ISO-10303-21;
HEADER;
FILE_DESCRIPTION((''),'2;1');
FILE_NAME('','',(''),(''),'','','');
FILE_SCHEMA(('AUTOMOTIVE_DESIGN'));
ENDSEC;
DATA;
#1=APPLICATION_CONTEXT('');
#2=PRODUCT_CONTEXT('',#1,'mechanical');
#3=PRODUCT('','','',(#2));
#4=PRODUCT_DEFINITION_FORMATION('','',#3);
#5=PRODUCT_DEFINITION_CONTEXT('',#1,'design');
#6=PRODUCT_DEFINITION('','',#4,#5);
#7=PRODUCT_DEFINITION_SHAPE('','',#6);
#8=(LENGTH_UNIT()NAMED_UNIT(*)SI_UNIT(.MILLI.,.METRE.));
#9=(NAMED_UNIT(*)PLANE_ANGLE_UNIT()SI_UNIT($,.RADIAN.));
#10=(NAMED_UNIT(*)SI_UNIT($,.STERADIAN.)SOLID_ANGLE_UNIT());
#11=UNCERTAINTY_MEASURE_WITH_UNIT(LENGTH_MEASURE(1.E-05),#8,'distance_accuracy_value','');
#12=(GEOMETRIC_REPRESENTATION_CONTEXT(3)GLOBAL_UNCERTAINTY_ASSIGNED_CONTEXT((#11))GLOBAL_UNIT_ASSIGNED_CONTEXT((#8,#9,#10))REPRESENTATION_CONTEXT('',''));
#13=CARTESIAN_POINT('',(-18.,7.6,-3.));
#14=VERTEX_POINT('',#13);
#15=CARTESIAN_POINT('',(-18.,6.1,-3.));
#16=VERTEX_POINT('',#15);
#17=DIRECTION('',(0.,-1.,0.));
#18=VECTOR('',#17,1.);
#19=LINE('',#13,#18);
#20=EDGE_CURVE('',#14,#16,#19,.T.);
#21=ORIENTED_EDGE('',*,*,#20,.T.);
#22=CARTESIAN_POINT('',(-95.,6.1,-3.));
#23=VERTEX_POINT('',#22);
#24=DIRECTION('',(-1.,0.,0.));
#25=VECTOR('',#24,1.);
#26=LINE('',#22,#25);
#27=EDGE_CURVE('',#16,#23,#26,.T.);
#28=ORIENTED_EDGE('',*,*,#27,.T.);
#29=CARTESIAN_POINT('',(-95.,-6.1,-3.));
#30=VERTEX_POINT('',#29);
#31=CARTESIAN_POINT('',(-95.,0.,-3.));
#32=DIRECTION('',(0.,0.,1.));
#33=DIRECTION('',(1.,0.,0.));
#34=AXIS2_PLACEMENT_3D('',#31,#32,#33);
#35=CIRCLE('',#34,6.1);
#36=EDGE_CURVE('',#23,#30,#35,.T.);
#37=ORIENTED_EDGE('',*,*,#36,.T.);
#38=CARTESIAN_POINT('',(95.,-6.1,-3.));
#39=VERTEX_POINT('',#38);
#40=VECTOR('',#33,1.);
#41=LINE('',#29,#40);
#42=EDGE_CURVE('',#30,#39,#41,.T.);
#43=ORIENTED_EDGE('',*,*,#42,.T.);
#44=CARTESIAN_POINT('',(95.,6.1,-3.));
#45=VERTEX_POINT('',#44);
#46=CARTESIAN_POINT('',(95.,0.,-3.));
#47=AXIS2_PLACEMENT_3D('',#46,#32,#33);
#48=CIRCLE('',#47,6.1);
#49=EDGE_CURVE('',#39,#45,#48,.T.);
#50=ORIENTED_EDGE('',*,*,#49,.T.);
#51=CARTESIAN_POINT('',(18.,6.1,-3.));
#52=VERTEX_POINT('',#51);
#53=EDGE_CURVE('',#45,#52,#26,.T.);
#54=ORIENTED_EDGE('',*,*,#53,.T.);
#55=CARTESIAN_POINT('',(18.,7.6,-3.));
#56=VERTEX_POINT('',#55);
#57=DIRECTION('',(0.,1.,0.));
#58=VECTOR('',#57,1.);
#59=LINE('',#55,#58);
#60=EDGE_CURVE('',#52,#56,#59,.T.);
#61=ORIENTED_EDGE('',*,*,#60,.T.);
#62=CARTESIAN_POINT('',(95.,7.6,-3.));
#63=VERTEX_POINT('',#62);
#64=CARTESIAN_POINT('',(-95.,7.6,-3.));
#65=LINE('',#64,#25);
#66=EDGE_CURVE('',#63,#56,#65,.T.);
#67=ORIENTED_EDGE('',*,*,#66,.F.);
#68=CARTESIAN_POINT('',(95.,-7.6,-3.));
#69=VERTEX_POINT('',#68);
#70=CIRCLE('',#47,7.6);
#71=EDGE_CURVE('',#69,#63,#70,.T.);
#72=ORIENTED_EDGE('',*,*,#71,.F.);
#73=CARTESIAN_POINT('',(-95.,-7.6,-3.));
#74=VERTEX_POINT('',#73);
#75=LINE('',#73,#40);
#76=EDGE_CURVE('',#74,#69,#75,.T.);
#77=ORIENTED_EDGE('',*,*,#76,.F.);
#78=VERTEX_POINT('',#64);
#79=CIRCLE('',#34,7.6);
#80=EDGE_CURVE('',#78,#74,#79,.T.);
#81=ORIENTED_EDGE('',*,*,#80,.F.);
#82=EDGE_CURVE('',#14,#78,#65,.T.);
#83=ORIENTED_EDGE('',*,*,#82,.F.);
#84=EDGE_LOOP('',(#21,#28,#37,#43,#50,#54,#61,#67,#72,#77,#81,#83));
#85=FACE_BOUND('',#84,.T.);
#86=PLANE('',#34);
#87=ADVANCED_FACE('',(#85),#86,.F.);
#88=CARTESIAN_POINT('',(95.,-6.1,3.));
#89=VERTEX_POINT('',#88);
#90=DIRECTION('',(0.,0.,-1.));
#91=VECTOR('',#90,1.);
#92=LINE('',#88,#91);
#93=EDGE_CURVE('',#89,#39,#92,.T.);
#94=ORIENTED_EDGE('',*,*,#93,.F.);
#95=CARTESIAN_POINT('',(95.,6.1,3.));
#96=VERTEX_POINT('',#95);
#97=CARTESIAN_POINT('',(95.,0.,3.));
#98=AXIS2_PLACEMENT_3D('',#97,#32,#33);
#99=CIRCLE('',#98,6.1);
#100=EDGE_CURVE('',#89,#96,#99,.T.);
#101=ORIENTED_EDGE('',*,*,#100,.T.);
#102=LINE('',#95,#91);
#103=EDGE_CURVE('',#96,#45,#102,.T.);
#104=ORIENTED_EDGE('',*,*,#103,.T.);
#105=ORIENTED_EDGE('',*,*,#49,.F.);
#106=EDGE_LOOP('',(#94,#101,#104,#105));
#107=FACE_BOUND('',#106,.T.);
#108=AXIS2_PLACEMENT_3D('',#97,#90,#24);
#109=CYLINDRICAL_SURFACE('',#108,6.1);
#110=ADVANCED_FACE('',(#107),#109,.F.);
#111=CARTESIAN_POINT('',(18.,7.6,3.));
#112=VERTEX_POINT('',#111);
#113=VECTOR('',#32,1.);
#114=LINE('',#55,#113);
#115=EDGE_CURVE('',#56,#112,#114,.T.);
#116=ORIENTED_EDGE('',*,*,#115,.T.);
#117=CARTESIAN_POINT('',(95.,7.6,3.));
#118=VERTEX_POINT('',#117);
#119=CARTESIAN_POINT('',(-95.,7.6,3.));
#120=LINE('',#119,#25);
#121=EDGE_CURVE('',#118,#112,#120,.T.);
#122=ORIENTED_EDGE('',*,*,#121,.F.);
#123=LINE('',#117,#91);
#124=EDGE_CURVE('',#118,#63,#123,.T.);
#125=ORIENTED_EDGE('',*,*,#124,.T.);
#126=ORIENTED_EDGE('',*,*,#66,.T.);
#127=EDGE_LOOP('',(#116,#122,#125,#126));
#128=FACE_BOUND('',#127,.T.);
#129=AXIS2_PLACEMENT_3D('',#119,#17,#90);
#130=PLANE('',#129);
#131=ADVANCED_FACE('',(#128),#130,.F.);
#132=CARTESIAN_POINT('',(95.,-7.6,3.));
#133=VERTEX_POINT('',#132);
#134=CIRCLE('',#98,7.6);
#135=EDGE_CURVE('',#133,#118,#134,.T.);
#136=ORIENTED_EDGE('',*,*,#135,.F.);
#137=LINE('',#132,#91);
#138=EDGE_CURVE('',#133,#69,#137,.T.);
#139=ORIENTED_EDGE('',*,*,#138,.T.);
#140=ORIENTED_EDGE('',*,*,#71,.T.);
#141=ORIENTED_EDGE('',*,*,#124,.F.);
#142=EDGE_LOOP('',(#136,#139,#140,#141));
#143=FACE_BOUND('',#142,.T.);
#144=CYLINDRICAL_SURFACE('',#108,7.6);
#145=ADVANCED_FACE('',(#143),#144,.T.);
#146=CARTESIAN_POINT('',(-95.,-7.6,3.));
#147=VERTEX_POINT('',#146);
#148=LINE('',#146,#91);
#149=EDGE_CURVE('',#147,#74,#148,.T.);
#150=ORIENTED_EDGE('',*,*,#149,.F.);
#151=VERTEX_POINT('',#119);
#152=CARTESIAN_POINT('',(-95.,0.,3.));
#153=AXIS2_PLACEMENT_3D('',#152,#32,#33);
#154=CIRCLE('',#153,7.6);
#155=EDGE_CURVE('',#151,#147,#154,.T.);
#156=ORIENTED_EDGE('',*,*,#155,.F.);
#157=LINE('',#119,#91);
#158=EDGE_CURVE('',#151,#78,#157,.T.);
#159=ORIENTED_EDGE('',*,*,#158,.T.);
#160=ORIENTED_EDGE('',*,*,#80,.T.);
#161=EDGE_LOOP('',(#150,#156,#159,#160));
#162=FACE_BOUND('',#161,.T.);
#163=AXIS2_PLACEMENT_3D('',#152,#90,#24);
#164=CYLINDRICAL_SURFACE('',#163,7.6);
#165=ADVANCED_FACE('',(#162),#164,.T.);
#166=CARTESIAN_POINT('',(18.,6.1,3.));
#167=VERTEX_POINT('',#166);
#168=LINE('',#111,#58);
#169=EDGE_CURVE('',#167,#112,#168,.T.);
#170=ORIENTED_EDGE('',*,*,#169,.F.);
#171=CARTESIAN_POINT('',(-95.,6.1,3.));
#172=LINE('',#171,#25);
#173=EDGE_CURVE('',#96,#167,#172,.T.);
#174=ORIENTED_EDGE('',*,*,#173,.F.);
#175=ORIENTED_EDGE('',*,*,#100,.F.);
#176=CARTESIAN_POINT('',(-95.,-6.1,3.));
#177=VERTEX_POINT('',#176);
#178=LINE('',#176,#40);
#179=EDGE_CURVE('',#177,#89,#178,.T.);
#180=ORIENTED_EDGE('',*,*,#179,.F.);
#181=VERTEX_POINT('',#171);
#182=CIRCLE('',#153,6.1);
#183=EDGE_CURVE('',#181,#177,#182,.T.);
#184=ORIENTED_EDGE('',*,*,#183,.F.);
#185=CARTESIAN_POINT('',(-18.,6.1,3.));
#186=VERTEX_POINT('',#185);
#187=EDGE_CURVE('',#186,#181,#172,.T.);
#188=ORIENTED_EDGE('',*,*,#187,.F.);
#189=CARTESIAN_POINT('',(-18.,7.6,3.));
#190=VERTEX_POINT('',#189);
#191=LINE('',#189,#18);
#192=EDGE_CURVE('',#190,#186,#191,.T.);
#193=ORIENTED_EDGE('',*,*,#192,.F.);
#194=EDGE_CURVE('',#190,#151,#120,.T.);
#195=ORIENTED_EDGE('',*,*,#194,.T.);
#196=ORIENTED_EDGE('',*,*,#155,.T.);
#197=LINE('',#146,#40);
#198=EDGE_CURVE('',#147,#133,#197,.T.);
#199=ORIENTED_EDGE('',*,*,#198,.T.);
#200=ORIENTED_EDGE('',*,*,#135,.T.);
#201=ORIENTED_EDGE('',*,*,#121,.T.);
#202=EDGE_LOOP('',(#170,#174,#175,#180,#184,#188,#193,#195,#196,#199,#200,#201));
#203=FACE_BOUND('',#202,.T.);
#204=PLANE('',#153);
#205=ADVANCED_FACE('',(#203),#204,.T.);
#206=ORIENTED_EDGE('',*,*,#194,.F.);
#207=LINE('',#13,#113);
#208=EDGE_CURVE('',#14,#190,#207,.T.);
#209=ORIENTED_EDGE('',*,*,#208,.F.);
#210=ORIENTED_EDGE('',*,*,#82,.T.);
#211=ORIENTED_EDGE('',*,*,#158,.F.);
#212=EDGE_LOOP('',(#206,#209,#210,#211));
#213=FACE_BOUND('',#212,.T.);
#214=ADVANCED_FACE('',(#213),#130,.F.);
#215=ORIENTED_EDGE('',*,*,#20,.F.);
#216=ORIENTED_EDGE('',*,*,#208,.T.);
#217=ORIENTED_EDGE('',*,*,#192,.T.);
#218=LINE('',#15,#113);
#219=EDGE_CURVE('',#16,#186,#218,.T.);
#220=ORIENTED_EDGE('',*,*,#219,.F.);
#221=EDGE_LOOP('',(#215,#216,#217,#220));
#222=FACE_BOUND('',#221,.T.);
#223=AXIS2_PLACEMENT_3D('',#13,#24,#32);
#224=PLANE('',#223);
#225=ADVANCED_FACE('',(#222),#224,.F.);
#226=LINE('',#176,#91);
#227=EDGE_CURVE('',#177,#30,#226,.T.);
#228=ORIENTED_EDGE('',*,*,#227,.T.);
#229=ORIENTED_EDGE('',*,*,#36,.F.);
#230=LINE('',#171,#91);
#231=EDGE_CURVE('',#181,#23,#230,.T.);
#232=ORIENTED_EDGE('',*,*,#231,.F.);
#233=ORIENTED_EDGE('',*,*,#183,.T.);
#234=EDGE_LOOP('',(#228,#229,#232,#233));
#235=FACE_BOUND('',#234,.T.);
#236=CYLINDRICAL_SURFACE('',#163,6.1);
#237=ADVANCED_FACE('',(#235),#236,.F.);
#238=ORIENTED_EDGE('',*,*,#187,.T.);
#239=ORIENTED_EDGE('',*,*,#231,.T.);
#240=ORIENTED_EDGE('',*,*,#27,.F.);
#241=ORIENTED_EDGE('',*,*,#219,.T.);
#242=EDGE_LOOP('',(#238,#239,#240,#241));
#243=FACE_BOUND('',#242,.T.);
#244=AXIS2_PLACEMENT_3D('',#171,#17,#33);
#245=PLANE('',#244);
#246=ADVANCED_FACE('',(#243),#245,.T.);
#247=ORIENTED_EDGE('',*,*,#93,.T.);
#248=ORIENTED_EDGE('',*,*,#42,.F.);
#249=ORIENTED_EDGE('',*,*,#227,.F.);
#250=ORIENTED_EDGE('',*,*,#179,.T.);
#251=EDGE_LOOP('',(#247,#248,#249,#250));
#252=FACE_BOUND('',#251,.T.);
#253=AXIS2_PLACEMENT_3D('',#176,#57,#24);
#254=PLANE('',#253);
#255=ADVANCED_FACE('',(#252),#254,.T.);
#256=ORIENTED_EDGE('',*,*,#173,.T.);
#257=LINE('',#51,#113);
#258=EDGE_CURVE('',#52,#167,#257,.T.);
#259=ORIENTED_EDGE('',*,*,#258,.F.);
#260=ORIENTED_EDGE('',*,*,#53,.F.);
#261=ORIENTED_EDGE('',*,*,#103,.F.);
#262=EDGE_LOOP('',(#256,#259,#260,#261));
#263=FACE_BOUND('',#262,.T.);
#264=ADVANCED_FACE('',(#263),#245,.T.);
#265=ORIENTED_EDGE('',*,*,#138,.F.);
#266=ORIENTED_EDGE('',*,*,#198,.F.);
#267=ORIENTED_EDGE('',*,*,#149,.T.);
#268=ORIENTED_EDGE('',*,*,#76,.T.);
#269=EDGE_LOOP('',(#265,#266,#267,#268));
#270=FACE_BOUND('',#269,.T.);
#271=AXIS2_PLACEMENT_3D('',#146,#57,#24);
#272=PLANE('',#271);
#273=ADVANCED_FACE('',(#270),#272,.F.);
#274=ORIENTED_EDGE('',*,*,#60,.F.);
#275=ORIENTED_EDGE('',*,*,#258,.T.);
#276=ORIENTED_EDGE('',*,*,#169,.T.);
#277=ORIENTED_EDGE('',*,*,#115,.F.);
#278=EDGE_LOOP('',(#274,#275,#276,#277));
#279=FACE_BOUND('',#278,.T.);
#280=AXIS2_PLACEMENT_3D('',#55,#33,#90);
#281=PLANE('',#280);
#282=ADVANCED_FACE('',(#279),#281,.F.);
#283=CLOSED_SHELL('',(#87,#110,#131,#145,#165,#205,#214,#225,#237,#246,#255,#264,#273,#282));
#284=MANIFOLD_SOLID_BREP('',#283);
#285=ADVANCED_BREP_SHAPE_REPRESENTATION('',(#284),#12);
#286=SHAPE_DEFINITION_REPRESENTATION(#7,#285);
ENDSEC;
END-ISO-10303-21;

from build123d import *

# Parameters (mm, degrees)
AUFSATZ_LINEAR_AUSTRAGEN1_DEPTH = 3
SKIZZE2_W                       = 36
SKIZZE2_H                       = 1.5
SCHNITT_LINEAR_AUSTRAGEN1_DEPTH = 7


with BuildPart() as part:
    # Skizze1 → Aufsatz-Linear austragen1 (new body, symmetric)
    with BuildSketch(Plane.XY):
        with BuildLine():
            Line((-95, 7.6), (95, 7.6))
            ThreePointArc((95, 7.6), (102.6, 0), (95, -7.6))
            Line((95, -7.6), (-95, -7.6))
            ThreePointArc((-95, -7.6), (-102.6, 0), (-95, 7.6))
        make_face()
        with BuildLine():
            Line((-95, 6.1), (95, 6.1))
            ThreePointArc((95, 6.1), (101.1, 0), (95, -6.1))
            Line((95, -6.1), (-95, -6.1))
            ThreePointArc((-95, -6.1), (-101.1, 0), (-95, 6.1))
        make_face(mode=Mode.SUBTRACT)
    extrude(amount=AUFSATZ_LINEAR_AUSTRAGEN1_DEPTH, both=True)

    # Skizze2 → Schnitt-Linear austragen1 (cut, through all)
    with BuildSketch(Plane.XY.offset(3)):
        with Locations((0, 6.85)):
            Rectangle(SKIZZE2_W, SKIZZE2_H)
    extrude(amount=-SCHNITT_LINEAR_AUSTRAGEN1_DEPTH, mode=Mode.SUBTRACT)


solid = part.part
